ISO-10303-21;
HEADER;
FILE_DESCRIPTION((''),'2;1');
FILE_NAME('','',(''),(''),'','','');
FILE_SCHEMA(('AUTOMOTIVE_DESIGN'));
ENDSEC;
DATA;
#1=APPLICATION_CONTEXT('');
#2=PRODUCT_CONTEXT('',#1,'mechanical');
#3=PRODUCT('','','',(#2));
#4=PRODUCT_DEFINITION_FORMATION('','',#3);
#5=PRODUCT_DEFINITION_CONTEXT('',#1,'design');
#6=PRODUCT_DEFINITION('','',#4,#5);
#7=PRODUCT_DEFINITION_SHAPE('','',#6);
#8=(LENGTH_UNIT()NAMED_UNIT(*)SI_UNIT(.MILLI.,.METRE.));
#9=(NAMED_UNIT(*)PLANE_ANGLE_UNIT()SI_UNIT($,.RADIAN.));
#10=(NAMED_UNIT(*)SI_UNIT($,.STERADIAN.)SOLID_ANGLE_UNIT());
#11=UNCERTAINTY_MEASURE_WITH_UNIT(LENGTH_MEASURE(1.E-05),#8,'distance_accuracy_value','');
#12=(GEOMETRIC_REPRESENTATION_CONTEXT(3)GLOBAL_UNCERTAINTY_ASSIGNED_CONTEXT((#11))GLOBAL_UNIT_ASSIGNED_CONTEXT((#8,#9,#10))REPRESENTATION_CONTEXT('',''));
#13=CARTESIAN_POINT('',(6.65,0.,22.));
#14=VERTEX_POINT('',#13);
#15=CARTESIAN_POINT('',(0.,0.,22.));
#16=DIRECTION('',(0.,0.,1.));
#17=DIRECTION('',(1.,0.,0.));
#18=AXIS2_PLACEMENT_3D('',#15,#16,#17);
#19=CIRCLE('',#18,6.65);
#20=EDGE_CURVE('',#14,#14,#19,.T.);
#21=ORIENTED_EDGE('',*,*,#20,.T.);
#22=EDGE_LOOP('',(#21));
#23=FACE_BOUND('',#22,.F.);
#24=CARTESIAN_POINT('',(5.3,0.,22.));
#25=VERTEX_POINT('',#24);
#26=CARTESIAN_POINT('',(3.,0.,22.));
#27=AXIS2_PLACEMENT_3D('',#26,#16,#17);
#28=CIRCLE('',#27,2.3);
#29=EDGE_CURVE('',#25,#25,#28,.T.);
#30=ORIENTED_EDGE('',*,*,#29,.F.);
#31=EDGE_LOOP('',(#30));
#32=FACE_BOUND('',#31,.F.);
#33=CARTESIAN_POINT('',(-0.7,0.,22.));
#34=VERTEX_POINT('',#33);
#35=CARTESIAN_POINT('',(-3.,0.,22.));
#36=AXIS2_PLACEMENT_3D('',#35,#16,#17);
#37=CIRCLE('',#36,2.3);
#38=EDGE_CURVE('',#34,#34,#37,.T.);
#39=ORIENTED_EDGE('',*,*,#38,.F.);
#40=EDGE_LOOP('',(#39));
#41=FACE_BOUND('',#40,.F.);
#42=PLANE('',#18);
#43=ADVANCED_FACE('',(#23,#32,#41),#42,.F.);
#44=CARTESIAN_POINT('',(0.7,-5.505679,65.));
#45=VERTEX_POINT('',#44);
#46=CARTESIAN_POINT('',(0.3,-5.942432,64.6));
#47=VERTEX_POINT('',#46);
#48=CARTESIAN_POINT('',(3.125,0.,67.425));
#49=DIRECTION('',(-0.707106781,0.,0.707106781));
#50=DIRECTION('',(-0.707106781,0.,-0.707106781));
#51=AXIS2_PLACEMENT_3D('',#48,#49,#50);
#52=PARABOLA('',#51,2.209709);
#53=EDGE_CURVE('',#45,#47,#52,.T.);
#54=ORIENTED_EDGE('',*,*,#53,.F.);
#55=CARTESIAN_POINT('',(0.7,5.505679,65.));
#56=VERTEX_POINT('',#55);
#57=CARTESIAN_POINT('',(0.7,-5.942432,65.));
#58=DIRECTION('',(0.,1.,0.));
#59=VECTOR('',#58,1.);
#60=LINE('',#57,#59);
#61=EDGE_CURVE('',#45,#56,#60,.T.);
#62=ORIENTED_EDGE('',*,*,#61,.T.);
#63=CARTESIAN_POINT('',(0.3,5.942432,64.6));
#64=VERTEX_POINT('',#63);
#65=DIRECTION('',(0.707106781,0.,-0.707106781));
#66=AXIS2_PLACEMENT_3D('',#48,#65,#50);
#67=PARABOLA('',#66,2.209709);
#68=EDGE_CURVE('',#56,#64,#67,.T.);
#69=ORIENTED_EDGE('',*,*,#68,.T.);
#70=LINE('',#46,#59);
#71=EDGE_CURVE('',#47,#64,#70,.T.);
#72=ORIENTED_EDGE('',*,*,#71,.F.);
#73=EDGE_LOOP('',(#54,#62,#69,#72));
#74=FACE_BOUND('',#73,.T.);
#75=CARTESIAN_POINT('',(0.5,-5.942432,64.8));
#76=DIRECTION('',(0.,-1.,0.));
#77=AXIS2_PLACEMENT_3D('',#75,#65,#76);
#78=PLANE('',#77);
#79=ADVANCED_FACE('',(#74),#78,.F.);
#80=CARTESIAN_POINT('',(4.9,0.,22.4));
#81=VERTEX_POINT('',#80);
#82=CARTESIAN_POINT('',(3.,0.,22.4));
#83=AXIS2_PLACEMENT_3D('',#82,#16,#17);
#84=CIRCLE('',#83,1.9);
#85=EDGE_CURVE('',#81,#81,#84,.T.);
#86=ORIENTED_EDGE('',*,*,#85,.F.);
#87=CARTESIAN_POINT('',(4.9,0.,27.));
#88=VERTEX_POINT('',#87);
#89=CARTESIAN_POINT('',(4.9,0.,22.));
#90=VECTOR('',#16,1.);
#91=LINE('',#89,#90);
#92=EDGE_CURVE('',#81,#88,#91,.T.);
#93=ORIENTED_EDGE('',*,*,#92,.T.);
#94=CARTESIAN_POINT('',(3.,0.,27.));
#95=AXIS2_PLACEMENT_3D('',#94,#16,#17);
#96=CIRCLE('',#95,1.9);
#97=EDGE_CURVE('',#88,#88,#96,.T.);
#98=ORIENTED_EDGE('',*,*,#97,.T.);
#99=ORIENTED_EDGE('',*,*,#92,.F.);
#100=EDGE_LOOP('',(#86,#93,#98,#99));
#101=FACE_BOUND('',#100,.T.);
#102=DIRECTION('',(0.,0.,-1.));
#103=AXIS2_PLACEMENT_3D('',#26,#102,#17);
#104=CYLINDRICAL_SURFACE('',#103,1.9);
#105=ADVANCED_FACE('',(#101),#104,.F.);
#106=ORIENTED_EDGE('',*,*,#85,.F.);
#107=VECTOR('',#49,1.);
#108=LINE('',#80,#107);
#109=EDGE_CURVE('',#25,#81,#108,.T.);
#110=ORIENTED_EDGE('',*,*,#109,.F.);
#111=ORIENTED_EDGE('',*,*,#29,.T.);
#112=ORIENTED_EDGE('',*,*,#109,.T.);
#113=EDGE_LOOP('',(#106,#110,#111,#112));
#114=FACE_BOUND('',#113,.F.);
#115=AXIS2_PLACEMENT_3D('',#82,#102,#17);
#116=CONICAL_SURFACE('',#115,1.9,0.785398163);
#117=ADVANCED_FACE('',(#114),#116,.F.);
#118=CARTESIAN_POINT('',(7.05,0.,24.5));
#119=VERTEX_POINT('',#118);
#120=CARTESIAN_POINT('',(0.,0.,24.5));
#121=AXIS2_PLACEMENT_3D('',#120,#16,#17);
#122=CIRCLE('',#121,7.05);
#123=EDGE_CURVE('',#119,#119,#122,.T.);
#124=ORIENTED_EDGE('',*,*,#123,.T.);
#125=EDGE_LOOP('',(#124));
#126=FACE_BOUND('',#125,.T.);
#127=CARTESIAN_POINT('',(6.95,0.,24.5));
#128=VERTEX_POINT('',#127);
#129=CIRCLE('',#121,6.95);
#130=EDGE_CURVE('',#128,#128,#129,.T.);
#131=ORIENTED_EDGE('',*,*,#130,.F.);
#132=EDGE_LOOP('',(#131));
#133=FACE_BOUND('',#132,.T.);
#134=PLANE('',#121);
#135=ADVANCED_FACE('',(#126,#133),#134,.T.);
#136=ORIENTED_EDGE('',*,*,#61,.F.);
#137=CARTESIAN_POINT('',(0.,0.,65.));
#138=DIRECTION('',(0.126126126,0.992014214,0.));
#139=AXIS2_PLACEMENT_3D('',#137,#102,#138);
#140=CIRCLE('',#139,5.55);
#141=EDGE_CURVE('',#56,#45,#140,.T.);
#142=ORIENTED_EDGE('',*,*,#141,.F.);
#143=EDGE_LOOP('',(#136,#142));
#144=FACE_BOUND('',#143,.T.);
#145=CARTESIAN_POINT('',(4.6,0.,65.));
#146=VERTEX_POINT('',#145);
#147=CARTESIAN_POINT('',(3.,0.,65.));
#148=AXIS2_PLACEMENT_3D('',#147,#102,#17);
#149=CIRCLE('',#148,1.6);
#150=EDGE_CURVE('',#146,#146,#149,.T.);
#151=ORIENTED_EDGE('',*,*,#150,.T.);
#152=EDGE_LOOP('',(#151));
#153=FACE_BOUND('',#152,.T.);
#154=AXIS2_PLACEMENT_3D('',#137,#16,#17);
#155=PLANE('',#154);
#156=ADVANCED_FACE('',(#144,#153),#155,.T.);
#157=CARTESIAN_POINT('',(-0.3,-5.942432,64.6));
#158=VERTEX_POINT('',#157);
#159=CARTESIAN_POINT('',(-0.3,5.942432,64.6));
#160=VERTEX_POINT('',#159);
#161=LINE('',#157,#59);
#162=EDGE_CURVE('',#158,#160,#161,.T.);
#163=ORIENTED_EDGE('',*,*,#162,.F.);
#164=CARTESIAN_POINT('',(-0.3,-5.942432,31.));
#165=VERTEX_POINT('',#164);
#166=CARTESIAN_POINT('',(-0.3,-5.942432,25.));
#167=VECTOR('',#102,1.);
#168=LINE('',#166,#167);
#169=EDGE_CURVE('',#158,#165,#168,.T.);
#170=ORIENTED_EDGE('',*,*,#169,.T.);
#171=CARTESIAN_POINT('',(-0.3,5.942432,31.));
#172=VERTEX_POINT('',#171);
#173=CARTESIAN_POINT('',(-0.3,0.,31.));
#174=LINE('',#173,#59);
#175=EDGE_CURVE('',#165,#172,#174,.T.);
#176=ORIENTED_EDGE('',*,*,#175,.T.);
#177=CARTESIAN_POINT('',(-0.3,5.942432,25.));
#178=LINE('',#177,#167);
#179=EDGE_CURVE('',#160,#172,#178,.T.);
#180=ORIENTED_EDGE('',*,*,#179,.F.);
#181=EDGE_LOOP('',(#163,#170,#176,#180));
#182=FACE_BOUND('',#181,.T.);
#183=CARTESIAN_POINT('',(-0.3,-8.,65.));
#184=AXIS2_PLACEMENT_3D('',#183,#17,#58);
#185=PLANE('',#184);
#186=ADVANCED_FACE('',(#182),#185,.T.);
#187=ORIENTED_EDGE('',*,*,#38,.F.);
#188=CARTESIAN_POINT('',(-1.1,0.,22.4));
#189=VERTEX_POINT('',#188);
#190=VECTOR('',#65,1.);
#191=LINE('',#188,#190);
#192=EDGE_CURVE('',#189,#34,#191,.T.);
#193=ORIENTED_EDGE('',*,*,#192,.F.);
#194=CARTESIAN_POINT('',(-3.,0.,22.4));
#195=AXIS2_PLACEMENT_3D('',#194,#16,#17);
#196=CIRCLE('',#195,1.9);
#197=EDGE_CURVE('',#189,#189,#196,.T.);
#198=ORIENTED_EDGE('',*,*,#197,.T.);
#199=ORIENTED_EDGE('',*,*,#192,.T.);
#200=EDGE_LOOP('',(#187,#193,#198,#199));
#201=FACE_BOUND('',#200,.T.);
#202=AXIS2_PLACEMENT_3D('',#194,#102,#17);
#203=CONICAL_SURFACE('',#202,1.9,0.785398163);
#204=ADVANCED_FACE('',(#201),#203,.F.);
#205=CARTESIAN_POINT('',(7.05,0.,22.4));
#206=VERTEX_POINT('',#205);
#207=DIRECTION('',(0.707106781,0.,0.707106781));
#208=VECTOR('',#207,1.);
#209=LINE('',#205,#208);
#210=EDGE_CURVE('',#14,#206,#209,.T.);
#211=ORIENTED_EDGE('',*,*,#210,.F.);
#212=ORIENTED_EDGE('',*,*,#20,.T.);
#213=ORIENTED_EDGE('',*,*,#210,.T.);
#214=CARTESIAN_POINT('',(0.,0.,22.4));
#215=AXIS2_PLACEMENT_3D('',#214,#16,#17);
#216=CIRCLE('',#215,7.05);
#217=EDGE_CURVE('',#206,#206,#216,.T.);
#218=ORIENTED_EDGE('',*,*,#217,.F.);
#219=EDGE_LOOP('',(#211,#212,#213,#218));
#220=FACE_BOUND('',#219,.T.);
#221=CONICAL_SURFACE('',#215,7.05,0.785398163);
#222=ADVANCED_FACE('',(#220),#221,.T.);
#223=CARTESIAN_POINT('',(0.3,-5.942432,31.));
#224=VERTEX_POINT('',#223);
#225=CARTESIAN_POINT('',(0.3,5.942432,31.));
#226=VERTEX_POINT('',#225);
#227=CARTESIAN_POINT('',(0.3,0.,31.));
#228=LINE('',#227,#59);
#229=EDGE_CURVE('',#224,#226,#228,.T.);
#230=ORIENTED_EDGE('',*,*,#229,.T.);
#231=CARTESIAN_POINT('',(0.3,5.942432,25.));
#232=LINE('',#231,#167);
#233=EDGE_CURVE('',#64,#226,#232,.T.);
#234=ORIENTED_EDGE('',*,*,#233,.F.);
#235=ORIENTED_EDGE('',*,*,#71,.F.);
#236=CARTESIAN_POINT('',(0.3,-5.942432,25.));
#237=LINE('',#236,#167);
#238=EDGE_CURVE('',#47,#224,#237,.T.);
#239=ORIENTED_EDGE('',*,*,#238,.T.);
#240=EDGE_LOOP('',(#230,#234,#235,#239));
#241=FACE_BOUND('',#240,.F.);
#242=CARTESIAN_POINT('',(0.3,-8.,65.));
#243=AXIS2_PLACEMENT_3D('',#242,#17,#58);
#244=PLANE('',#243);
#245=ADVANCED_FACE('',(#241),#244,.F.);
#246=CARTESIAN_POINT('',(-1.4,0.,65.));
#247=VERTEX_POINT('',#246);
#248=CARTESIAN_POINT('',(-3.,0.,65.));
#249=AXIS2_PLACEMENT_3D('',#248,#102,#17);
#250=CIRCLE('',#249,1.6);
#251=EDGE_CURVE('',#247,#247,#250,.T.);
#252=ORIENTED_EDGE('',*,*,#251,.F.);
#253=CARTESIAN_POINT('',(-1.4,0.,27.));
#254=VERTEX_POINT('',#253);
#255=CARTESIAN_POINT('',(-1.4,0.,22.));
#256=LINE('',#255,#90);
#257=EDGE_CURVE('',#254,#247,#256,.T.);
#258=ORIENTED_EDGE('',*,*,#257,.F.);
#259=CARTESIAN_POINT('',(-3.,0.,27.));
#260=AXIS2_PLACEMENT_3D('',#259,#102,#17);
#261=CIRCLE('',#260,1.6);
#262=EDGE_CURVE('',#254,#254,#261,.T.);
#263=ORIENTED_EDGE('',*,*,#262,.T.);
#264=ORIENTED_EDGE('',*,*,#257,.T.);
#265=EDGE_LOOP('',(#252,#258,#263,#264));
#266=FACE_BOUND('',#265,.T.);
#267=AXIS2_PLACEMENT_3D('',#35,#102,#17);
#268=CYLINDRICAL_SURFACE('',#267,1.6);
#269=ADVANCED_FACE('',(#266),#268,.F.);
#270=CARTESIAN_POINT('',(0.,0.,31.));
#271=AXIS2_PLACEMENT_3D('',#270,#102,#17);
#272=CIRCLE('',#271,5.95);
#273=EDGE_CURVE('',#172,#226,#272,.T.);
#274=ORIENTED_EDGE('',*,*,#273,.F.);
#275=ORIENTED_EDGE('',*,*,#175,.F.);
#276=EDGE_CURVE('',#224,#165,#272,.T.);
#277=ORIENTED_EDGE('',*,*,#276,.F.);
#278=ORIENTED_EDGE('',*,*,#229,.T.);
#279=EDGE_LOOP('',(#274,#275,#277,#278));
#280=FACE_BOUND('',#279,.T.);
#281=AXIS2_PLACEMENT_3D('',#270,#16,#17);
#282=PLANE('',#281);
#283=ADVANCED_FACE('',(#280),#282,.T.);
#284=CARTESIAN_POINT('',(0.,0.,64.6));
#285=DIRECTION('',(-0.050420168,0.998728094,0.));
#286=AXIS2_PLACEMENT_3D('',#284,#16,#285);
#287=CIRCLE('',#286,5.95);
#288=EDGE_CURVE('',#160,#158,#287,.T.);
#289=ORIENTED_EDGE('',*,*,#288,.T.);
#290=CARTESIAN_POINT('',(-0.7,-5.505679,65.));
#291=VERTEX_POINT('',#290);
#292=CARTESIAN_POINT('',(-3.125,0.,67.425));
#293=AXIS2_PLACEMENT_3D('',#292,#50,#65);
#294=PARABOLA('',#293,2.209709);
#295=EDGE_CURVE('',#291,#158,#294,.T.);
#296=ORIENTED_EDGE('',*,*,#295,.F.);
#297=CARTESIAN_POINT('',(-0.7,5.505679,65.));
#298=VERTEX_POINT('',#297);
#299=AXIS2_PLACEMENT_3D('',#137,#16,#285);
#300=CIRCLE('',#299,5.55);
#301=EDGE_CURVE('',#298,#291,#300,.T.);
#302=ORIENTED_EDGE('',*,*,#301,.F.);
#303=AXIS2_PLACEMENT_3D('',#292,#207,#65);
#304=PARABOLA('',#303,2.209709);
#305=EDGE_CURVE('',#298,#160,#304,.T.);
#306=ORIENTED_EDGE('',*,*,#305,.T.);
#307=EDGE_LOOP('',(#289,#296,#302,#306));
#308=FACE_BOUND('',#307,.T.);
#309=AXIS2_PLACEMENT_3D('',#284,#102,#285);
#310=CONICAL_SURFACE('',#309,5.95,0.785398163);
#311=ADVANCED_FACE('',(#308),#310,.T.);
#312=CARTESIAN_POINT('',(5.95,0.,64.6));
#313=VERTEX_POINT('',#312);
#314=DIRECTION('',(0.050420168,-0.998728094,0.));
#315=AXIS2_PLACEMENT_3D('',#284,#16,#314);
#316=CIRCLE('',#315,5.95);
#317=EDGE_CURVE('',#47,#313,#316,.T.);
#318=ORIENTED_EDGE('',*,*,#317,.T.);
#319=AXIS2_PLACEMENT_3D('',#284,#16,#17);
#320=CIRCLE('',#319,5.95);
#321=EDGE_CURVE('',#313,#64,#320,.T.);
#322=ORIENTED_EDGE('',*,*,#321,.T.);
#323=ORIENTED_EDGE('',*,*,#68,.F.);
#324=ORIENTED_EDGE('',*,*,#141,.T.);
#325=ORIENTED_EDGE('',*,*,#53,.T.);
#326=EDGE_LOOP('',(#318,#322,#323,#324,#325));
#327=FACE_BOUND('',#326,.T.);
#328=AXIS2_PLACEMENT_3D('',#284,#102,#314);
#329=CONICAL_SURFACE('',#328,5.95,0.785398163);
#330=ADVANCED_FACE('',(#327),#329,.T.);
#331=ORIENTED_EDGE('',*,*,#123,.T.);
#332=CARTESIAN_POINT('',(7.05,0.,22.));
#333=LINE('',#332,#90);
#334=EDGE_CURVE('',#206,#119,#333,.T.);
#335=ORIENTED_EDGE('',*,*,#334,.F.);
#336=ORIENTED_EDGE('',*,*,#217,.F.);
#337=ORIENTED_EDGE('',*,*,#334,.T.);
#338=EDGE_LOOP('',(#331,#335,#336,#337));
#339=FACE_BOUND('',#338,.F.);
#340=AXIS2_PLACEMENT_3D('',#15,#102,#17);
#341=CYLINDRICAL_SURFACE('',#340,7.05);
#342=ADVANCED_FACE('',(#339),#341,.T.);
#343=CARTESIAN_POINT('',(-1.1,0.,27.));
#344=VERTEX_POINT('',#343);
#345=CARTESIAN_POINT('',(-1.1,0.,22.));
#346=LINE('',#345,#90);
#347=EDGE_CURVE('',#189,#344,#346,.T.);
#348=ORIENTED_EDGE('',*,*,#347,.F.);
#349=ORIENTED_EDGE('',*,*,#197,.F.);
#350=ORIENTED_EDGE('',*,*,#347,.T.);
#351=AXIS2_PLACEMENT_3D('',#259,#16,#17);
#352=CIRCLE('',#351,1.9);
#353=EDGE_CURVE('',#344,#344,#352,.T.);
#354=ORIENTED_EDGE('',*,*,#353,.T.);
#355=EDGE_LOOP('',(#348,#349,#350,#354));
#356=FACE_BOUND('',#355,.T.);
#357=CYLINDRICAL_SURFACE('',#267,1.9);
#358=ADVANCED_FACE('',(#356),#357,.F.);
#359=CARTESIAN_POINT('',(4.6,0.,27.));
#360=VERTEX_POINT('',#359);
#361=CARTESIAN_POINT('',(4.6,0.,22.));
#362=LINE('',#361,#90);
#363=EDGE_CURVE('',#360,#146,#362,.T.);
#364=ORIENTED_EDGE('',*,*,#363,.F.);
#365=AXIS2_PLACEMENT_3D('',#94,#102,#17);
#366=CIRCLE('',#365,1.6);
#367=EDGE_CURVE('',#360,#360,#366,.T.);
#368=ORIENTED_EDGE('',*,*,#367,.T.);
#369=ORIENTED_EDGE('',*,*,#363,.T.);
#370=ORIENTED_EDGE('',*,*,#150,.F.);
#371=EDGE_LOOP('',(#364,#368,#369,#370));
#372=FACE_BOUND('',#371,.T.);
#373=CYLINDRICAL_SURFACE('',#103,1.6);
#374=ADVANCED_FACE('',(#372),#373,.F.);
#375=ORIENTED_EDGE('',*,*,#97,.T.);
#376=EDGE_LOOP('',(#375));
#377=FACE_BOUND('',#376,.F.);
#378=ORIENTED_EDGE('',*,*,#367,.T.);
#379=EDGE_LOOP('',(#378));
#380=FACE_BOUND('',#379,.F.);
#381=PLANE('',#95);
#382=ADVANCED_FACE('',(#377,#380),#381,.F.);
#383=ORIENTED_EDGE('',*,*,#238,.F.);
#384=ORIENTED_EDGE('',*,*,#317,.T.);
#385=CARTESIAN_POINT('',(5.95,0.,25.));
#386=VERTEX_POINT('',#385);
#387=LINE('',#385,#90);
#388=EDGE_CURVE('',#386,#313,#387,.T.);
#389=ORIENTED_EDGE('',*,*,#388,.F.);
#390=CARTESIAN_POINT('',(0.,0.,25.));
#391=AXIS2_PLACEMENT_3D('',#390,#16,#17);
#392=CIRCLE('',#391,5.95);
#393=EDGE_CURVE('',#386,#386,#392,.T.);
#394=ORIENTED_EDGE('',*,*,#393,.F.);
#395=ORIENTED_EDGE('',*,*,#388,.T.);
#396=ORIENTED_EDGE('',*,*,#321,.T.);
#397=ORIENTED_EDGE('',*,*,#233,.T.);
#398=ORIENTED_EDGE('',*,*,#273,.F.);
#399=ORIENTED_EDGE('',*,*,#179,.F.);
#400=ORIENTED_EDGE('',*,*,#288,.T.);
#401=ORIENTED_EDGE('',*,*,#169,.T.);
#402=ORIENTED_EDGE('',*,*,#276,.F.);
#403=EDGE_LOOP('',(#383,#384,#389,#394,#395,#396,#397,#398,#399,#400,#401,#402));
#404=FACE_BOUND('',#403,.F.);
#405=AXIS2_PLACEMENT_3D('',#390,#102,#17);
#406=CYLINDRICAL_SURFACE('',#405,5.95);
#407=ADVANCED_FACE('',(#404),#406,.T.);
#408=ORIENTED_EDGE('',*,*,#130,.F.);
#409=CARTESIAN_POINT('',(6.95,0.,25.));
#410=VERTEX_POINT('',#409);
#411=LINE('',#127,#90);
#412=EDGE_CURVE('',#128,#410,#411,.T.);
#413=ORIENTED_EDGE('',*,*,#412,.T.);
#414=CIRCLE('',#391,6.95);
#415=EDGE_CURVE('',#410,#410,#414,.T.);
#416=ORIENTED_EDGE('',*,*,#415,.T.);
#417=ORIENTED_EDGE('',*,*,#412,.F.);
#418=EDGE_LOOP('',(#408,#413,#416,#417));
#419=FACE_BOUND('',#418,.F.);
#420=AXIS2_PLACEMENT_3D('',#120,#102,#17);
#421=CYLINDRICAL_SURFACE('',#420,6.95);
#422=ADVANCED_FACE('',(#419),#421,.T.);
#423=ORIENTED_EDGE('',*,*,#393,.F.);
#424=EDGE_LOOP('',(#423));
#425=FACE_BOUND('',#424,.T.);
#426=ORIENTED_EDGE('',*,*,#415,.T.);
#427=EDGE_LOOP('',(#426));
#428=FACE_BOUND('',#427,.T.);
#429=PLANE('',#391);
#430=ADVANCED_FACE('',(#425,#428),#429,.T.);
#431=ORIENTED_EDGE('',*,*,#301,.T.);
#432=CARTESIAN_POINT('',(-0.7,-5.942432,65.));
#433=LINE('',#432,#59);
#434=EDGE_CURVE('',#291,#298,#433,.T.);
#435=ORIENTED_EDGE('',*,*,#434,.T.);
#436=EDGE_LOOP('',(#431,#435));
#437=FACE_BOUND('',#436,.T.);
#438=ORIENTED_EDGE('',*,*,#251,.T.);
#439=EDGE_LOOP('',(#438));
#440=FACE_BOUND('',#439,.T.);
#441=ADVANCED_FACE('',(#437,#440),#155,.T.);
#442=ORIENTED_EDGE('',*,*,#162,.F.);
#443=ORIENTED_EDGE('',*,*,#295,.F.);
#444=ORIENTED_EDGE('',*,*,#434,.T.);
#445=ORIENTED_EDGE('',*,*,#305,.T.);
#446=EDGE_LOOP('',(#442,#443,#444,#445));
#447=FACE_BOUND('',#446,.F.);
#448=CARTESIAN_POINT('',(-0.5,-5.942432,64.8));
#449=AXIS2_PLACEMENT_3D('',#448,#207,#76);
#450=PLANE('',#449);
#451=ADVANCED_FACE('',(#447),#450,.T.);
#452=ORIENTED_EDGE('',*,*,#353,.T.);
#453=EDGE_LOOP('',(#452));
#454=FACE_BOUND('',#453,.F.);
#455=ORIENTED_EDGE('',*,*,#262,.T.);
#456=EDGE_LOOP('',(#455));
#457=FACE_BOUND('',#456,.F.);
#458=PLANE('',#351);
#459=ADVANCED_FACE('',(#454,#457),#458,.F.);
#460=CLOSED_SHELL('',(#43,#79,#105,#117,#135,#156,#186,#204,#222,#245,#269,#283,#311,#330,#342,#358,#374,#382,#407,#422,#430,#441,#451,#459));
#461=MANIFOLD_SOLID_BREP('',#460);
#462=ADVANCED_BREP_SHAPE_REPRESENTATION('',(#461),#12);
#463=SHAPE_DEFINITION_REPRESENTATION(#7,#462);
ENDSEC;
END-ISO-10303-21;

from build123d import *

# Parameters (mm, degrees)
SKETCH014_R     = 7.05
PAD004_DEPTH    = 2.5
SKETCH015_R     = 6.95
PAD005_DEPTH    = 0.5
SKETCH016_R     = 5.95
PAD006_DEPTH    = 40
SKETCH018_R     = 1.9
POCKET010_DEPTH = 5
SKETCH019_R     = 1.6
POCKET011_DEPTH = 43.001
SKETCH020_W     = 0.6
SKETCH020_H     = 16
POCKET012_DEPTH = 34
CHAMFER_SIZE    = 0.4
CHAMFER003_SIZE = 0.4


with BuildPart() as part:
    # Sketch014 → Pad004 (new body)
    with BuildSketch(Plane.XY):
        Circle(SKETCH014_R)
    extrude(amount=PAD004_DEPTH)

    # Sketch015 (on DatumPlane) → Pad005 (join)
    with BuildSketch(Plane.XY.offset(2.5)):
        Circle(SKETCH015_R)
    extrude(amount=PAD005_DEPTH)

    # Sketch016 (on DatumPlane) → Pad006 (join)
    with BuildSketch(Plane.XY.offset(3)):
        Circle(SKETCH016_R)
    extrude(amount=PAD006_DEPTH)

    # Sketch018 (on DatumPlane) → Pocket010 (cut)
    with BuildSketch(Plane.XY):
        with Locations((-3, 0)):
            Circle(SKETCH018_R)
        with Locations((3, 0)):
            Circle(SKETCH018_R)
    extrude(amount=POCKET010_DEPTH, mode=Mode.SUBTRACT)

    # Sketch019 (on DatumPlane) → Pocket011 (cut, through all)
    with BuildSketch(Plane.XY):
        with Locations((-3, 0)):
            Circle(SKETCH019_R)
        with Locations((3, 0)):
            Circle(SKETCH019_R)
    extrude(amount=POCKET011_DEPTH, mode=Mode.SUBTRACT)

    # Sketch020 (on DatumPlane) → Pocket012 (cut)
    with BuildSketch(Plane.XY.offset(43)):
        Rectangle(SKETCH020_W, SKETCH020_H)
    extrude(amount=-POCKET012_DEPTH, mode=Mode.SUBTRACT)

    # Chamfer
    chamfer_edges = [part.edges().sort_by_distance(p)[0] for p in [
        (-0.3, 0, 43),
        (-5.95, 0, 43),
        (0.3, 0, 43),
        (4.312047, -4.099848, 43),
        (4.312047, 4.099848, 43),
    ]]
    chamfer(chamfer_edges, length=CHAMFER_SIZE)

    # Chamfer003
    chamfer003_edges = [part.edges().sort_by_distance(p)[0] for p in [
        (-7.05, 0, 0),
        (-4.9, 0, 0),
        (1.1, 0, 0),
    ]]
    chamfer(chamfer003_edges, length=CHAMFER003_SIZE)


with BuildPart() as part_1:
    # Body003 placement: moved
    add(part.part.moved(Location((0, 0, 22))))


solid = part_1.part
